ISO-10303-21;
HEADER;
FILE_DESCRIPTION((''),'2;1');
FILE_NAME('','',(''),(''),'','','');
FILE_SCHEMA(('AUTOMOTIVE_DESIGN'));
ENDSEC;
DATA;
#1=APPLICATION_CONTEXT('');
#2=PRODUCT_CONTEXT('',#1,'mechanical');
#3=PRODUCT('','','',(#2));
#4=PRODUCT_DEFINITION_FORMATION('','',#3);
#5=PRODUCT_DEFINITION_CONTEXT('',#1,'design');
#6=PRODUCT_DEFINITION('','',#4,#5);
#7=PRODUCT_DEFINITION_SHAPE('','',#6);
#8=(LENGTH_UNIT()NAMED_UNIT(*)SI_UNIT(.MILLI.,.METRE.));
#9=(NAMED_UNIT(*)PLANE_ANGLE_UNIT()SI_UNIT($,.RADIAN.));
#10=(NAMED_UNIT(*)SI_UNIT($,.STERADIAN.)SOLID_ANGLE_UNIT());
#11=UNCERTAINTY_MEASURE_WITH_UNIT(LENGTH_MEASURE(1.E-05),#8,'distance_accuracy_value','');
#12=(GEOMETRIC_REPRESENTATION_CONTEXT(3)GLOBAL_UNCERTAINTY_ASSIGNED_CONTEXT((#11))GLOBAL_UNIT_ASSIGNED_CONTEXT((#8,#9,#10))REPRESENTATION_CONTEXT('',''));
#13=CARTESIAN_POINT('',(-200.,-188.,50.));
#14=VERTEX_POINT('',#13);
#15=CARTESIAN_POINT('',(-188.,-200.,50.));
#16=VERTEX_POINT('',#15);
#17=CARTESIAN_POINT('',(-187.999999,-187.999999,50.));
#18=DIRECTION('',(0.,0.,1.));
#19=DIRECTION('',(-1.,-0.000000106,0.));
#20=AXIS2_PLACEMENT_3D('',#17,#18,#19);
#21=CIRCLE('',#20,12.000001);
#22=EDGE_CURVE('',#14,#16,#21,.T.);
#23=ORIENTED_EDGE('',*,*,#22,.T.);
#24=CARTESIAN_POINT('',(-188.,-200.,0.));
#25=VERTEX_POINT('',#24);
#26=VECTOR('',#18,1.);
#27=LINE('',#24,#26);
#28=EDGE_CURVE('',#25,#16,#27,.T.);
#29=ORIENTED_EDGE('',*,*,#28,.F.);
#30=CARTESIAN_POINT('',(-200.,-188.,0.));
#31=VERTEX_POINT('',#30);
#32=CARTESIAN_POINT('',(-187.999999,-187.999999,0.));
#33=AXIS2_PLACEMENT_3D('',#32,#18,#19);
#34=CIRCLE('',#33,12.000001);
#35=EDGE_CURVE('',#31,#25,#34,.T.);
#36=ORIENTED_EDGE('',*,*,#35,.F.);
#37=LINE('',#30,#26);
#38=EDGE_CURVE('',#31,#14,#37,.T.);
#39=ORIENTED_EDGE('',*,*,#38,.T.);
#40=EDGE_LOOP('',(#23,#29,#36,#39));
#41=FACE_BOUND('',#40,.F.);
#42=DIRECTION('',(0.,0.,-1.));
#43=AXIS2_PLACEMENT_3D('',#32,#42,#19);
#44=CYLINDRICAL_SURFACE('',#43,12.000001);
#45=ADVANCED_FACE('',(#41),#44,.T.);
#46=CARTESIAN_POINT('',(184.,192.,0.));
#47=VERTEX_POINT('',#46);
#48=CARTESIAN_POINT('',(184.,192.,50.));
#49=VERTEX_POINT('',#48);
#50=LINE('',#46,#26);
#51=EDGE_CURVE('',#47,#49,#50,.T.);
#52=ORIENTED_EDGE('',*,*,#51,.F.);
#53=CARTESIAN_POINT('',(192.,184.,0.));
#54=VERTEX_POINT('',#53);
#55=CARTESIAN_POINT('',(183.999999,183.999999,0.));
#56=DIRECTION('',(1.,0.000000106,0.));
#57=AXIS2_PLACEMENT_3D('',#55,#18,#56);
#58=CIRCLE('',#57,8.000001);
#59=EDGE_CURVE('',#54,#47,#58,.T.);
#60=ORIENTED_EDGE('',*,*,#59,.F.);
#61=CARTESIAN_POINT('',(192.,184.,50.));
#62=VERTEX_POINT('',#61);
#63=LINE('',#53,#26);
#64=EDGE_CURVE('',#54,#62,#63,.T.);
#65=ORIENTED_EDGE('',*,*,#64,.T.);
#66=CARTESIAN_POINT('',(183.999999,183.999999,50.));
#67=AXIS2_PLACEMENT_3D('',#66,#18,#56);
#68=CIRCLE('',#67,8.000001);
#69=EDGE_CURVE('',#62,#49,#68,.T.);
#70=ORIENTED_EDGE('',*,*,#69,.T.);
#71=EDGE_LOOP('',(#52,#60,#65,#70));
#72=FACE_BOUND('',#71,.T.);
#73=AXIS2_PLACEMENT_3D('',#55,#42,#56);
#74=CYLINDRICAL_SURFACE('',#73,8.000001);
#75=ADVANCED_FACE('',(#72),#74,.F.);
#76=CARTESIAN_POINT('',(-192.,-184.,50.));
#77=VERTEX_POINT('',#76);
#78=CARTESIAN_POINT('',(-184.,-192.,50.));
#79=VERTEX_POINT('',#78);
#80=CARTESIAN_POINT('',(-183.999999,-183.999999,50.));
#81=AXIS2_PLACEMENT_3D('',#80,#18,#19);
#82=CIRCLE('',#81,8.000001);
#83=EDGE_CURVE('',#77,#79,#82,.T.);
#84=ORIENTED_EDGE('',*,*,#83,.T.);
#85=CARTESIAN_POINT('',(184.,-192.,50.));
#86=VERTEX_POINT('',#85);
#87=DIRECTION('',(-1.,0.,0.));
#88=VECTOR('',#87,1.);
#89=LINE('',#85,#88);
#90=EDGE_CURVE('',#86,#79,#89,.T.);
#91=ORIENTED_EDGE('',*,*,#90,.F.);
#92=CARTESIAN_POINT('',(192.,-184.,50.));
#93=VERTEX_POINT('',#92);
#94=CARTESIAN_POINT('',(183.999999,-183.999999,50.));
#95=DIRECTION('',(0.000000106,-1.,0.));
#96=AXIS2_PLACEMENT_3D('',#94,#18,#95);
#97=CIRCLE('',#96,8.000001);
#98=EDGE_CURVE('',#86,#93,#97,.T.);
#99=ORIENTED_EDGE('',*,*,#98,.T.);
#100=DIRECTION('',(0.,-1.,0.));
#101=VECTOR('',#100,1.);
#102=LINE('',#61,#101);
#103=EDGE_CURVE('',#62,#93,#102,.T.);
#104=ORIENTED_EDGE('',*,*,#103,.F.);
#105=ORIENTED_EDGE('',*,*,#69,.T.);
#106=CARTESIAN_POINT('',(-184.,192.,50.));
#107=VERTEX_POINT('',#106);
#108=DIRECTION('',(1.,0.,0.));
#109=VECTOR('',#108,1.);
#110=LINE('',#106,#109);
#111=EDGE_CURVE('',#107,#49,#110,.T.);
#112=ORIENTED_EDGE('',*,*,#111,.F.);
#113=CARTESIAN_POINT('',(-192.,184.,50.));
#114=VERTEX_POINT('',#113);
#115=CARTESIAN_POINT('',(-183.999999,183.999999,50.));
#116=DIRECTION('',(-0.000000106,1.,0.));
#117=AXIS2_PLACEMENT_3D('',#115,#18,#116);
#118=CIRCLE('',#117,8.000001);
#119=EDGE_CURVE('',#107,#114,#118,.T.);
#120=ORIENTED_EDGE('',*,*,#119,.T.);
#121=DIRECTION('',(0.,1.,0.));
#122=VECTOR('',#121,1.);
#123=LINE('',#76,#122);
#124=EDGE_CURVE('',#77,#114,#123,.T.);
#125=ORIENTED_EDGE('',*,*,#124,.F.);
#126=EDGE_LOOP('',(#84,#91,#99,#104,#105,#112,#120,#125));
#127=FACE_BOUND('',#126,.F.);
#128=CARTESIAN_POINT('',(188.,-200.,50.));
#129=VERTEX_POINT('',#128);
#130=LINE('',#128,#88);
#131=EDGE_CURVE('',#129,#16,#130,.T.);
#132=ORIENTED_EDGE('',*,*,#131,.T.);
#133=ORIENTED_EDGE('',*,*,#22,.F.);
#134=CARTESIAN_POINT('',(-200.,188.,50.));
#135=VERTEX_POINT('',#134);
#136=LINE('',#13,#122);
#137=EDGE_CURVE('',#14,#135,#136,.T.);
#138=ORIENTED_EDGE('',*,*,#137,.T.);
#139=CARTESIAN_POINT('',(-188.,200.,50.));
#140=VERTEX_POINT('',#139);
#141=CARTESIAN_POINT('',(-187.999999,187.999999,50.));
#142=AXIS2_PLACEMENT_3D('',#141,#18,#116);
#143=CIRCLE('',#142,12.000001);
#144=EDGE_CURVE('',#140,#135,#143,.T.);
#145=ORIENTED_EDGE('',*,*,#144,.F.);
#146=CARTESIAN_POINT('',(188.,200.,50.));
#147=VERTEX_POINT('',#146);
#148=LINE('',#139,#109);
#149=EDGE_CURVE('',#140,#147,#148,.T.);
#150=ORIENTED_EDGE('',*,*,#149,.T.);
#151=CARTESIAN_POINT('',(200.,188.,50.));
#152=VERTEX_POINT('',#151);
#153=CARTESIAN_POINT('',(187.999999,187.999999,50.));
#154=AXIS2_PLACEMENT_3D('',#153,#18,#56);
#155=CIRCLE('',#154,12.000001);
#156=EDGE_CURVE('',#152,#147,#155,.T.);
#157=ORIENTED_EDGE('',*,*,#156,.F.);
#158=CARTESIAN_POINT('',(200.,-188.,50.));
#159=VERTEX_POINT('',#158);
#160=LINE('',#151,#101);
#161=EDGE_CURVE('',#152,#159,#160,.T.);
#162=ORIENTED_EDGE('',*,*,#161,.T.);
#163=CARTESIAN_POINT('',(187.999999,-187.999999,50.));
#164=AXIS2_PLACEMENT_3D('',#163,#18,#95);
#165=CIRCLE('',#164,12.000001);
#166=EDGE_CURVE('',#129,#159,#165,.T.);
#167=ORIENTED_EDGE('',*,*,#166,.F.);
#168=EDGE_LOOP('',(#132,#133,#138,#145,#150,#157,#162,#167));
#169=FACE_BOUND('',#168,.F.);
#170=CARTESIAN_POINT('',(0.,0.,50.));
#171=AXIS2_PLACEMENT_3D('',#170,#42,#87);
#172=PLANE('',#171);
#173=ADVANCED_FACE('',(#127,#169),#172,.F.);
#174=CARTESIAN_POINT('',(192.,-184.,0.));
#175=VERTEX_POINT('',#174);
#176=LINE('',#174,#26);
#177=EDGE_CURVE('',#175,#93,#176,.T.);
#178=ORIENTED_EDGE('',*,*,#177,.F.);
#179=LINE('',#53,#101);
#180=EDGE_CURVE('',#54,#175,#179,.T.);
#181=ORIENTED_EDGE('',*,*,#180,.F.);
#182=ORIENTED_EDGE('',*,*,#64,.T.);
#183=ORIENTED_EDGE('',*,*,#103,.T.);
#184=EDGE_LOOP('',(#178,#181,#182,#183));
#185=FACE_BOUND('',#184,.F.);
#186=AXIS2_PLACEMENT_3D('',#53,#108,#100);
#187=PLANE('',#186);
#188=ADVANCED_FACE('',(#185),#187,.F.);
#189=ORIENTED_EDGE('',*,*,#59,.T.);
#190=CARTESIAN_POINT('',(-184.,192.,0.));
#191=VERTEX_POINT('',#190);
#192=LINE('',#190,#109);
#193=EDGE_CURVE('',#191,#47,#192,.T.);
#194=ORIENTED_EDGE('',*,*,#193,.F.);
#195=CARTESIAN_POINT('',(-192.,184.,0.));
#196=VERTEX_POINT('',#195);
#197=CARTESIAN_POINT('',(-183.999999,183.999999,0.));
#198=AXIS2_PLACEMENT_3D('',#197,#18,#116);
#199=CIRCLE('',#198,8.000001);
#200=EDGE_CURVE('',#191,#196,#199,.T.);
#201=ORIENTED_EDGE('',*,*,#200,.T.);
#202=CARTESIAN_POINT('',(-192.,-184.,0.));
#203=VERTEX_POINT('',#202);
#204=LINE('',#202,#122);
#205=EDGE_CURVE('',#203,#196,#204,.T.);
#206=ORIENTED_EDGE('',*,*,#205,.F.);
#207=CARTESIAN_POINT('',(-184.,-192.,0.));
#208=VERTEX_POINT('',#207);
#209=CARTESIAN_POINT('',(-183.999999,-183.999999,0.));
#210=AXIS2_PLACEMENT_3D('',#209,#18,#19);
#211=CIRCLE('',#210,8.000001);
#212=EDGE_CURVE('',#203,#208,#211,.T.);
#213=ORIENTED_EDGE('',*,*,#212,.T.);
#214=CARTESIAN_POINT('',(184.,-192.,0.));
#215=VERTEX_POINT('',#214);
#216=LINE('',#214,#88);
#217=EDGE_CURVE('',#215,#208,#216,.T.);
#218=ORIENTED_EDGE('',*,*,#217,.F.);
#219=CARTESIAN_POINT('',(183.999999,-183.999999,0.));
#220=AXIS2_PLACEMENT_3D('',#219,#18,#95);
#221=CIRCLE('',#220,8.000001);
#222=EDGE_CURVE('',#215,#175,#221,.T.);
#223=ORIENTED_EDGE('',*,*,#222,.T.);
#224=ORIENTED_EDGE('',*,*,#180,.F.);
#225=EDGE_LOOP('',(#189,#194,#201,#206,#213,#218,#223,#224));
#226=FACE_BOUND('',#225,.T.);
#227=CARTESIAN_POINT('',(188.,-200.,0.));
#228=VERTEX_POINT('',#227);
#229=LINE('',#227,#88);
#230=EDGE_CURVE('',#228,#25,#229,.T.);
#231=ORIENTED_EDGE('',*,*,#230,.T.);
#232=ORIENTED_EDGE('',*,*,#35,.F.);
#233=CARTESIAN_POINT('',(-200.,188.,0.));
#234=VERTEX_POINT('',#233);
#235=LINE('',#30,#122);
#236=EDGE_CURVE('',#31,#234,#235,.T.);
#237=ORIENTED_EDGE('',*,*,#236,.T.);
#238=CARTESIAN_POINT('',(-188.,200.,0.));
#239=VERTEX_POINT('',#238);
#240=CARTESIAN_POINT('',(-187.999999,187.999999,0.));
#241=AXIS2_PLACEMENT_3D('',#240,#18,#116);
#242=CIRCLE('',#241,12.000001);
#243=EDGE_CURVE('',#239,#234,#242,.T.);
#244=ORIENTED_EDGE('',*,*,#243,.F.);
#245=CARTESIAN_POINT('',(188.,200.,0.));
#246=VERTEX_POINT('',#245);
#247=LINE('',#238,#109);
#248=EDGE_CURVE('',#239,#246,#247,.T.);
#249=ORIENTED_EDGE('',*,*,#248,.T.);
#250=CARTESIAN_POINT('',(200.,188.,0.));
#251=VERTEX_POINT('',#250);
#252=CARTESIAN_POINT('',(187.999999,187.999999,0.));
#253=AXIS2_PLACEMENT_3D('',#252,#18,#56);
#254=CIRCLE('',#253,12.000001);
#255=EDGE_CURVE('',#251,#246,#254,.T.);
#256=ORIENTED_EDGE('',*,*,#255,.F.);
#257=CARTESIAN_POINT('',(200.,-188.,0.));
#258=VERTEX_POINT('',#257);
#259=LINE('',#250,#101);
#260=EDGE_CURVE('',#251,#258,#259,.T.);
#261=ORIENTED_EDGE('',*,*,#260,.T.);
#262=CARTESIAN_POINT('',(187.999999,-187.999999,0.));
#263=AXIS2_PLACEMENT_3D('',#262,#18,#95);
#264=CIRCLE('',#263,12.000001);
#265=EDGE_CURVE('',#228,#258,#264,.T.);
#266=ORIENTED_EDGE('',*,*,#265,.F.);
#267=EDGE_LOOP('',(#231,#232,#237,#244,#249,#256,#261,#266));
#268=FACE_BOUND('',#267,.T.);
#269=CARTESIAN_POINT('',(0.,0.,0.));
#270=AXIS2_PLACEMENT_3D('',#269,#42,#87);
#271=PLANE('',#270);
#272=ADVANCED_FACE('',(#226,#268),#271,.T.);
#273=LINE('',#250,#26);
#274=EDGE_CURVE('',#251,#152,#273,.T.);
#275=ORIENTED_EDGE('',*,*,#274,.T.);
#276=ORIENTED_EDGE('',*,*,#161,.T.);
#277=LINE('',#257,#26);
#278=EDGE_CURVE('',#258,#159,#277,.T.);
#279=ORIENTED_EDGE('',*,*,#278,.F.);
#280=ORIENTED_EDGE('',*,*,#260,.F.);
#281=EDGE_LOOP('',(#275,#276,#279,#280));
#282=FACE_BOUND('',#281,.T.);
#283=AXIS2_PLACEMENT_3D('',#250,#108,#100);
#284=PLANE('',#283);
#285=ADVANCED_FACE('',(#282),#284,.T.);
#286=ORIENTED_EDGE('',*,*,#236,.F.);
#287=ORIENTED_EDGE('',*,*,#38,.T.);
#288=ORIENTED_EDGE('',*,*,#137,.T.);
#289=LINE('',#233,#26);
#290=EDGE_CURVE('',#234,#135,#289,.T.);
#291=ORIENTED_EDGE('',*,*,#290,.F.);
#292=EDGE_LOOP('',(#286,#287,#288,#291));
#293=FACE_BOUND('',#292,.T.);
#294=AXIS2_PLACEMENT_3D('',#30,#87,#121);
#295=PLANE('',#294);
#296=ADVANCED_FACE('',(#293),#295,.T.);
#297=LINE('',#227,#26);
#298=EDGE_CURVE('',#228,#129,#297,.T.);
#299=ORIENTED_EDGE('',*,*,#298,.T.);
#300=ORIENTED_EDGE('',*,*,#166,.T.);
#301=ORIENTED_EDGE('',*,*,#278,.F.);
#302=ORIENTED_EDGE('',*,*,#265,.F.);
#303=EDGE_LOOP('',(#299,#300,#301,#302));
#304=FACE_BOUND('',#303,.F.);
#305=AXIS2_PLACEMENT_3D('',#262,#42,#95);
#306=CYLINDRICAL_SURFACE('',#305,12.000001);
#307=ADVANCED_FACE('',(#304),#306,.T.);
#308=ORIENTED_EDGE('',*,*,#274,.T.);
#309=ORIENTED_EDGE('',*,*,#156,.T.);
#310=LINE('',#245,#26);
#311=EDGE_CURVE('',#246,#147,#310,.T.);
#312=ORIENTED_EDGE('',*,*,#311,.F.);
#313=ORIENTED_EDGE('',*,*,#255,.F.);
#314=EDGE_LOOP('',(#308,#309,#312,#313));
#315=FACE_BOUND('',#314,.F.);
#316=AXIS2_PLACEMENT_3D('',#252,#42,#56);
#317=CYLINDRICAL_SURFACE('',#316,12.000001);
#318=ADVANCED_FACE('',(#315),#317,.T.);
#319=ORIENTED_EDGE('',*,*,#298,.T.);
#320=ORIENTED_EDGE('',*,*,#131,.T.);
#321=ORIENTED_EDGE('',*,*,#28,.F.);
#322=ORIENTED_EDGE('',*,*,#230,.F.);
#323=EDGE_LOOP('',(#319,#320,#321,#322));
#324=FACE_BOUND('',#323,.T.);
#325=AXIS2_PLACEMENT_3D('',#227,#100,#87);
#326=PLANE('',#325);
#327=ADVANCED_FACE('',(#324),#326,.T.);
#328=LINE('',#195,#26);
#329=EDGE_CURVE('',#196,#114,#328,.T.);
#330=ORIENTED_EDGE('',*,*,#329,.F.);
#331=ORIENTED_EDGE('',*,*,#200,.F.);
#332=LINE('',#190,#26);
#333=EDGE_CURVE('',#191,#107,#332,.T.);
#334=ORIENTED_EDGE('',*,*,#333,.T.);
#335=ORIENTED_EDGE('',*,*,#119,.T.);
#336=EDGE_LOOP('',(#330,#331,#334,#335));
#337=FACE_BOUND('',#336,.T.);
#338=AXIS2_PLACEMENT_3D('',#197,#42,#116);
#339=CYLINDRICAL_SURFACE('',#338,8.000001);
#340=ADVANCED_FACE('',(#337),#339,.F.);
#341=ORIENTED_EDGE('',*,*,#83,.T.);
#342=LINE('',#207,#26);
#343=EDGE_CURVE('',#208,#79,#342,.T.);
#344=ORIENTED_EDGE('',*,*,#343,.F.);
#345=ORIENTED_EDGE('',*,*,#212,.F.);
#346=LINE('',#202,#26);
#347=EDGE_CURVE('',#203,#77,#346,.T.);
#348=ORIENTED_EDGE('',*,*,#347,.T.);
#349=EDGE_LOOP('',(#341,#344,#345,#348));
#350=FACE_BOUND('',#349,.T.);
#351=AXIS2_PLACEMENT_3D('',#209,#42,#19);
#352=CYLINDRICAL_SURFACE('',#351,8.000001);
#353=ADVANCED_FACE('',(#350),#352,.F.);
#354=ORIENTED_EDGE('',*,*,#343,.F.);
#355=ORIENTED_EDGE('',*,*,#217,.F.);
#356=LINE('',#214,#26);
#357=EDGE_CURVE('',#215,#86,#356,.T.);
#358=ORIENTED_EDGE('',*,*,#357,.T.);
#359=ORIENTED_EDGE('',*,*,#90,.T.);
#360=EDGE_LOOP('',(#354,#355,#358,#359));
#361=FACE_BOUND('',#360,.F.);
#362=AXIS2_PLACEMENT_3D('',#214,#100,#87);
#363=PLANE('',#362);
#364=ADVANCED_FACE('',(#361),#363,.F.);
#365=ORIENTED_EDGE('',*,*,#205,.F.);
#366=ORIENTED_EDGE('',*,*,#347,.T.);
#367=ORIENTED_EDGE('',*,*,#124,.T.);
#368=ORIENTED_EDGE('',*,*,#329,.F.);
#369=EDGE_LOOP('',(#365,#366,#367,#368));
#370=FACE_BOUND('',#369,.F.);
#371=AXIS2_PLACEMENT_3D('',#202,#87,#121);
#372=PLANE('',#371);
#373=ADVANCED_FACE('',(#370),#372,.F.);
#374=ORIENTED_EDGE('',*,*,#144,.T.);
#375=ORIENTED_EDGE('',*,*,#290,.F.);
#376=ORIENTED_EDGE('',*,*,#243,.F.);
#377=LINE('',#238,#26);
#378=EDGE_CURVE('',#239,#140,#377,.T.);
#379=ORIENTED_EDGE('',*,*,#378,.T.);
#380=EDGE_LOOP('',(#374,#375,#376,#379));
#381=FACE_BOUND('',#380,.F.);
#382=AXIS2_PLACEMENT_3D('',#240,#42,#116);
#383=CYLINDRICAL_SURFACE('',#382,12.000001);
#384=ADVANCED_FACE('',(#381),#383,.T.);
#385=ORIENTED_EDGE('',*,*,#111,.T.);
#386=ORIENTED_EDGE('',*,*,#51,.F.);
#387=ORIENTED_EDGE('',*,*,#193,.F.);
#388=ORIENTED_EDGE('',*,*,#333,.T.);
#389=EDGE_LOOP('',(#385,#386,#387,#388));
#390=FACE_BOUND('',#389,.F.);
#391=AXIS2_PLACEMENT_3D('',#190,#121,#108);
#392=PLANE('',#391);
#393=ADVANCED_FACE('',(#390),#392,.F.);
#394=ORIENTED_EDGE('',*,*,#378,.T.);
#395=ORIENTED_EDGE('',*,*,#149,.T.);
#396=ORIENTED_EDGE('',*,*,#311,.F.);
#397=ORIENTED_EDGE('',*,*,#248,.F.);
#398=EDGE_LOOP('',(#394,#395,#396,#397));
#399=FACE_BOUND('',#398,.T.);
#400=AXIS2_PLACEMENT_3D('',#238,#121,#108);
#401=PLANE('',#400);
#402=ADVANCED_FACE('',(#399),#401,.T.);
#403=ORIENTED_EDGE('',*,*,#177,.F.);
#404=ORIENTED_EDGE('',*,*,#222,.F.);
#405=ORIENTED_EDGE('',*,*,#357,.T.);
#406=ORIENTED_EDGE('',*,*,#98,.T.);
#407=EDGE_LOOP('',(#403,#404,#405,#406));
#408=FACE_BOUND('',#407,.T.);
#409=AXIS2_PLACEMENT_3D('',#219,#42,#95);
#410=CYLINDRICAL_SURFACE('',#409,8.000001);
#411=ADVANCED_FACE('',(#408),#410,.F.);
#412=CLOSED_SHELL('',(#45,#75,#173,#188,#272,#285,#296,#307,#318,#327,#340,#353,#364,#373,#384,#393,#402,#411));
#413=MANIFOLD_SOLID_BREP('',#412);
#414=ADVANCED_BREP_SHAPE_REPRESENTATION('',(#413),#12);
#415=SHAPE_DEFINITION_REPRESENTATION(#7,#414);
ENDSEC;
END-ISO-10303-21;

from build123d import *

# Parameters (mm, degrees)
EXTRUDE_DEPTH = 50


with BuildPart() as part:
    # Sketch → Extrude (new body)
    with BuildSketch(Plane.XY):
        with BuildLine():
            Line((-188, 200), (188, 200))
            ThreePointArc((200, 188), (196.485281, 196.485281), (188, 200))
            Line((200, 188), (200, -188))
            ThreePointArc((188, -200), (196.485281, -196.485281), (200, -188))
            Line((188, -200), (-188, -200))
            ThreePointArc((-200, -188), (-196.485281, -196.485281), (-188, -200))
            Line((-200, -188), (-200, 188))
            ThreePointArc((-188, 200), (-196.485281, 196.485281), (-200, 188))
        make_face()
        with BuildLine():
            Line((-184, 192), (184, 192))
            ThreePointArc((192, 184), (189.656854, 189.656854), (184, 192))
            Line((192, 184), (192, -184))
            ThreePointArc((184, -192), (189.656854, -189.656854), (192, -184))
            Line((184, -192), (-184, -192))
            ThreePointArc((-192, -184), (-189.656854, -189.656854), (-184, -192))
            Line((-192, -184), (-192, 184))
            ThreePointArc((-184, 192), (-189.656854, 189.656854), (-192, 184))
        make_face(mode=Mode.SUBTRACT)
    extrude(amount=EXTRUDE_DEPTH)


solid = part.part
